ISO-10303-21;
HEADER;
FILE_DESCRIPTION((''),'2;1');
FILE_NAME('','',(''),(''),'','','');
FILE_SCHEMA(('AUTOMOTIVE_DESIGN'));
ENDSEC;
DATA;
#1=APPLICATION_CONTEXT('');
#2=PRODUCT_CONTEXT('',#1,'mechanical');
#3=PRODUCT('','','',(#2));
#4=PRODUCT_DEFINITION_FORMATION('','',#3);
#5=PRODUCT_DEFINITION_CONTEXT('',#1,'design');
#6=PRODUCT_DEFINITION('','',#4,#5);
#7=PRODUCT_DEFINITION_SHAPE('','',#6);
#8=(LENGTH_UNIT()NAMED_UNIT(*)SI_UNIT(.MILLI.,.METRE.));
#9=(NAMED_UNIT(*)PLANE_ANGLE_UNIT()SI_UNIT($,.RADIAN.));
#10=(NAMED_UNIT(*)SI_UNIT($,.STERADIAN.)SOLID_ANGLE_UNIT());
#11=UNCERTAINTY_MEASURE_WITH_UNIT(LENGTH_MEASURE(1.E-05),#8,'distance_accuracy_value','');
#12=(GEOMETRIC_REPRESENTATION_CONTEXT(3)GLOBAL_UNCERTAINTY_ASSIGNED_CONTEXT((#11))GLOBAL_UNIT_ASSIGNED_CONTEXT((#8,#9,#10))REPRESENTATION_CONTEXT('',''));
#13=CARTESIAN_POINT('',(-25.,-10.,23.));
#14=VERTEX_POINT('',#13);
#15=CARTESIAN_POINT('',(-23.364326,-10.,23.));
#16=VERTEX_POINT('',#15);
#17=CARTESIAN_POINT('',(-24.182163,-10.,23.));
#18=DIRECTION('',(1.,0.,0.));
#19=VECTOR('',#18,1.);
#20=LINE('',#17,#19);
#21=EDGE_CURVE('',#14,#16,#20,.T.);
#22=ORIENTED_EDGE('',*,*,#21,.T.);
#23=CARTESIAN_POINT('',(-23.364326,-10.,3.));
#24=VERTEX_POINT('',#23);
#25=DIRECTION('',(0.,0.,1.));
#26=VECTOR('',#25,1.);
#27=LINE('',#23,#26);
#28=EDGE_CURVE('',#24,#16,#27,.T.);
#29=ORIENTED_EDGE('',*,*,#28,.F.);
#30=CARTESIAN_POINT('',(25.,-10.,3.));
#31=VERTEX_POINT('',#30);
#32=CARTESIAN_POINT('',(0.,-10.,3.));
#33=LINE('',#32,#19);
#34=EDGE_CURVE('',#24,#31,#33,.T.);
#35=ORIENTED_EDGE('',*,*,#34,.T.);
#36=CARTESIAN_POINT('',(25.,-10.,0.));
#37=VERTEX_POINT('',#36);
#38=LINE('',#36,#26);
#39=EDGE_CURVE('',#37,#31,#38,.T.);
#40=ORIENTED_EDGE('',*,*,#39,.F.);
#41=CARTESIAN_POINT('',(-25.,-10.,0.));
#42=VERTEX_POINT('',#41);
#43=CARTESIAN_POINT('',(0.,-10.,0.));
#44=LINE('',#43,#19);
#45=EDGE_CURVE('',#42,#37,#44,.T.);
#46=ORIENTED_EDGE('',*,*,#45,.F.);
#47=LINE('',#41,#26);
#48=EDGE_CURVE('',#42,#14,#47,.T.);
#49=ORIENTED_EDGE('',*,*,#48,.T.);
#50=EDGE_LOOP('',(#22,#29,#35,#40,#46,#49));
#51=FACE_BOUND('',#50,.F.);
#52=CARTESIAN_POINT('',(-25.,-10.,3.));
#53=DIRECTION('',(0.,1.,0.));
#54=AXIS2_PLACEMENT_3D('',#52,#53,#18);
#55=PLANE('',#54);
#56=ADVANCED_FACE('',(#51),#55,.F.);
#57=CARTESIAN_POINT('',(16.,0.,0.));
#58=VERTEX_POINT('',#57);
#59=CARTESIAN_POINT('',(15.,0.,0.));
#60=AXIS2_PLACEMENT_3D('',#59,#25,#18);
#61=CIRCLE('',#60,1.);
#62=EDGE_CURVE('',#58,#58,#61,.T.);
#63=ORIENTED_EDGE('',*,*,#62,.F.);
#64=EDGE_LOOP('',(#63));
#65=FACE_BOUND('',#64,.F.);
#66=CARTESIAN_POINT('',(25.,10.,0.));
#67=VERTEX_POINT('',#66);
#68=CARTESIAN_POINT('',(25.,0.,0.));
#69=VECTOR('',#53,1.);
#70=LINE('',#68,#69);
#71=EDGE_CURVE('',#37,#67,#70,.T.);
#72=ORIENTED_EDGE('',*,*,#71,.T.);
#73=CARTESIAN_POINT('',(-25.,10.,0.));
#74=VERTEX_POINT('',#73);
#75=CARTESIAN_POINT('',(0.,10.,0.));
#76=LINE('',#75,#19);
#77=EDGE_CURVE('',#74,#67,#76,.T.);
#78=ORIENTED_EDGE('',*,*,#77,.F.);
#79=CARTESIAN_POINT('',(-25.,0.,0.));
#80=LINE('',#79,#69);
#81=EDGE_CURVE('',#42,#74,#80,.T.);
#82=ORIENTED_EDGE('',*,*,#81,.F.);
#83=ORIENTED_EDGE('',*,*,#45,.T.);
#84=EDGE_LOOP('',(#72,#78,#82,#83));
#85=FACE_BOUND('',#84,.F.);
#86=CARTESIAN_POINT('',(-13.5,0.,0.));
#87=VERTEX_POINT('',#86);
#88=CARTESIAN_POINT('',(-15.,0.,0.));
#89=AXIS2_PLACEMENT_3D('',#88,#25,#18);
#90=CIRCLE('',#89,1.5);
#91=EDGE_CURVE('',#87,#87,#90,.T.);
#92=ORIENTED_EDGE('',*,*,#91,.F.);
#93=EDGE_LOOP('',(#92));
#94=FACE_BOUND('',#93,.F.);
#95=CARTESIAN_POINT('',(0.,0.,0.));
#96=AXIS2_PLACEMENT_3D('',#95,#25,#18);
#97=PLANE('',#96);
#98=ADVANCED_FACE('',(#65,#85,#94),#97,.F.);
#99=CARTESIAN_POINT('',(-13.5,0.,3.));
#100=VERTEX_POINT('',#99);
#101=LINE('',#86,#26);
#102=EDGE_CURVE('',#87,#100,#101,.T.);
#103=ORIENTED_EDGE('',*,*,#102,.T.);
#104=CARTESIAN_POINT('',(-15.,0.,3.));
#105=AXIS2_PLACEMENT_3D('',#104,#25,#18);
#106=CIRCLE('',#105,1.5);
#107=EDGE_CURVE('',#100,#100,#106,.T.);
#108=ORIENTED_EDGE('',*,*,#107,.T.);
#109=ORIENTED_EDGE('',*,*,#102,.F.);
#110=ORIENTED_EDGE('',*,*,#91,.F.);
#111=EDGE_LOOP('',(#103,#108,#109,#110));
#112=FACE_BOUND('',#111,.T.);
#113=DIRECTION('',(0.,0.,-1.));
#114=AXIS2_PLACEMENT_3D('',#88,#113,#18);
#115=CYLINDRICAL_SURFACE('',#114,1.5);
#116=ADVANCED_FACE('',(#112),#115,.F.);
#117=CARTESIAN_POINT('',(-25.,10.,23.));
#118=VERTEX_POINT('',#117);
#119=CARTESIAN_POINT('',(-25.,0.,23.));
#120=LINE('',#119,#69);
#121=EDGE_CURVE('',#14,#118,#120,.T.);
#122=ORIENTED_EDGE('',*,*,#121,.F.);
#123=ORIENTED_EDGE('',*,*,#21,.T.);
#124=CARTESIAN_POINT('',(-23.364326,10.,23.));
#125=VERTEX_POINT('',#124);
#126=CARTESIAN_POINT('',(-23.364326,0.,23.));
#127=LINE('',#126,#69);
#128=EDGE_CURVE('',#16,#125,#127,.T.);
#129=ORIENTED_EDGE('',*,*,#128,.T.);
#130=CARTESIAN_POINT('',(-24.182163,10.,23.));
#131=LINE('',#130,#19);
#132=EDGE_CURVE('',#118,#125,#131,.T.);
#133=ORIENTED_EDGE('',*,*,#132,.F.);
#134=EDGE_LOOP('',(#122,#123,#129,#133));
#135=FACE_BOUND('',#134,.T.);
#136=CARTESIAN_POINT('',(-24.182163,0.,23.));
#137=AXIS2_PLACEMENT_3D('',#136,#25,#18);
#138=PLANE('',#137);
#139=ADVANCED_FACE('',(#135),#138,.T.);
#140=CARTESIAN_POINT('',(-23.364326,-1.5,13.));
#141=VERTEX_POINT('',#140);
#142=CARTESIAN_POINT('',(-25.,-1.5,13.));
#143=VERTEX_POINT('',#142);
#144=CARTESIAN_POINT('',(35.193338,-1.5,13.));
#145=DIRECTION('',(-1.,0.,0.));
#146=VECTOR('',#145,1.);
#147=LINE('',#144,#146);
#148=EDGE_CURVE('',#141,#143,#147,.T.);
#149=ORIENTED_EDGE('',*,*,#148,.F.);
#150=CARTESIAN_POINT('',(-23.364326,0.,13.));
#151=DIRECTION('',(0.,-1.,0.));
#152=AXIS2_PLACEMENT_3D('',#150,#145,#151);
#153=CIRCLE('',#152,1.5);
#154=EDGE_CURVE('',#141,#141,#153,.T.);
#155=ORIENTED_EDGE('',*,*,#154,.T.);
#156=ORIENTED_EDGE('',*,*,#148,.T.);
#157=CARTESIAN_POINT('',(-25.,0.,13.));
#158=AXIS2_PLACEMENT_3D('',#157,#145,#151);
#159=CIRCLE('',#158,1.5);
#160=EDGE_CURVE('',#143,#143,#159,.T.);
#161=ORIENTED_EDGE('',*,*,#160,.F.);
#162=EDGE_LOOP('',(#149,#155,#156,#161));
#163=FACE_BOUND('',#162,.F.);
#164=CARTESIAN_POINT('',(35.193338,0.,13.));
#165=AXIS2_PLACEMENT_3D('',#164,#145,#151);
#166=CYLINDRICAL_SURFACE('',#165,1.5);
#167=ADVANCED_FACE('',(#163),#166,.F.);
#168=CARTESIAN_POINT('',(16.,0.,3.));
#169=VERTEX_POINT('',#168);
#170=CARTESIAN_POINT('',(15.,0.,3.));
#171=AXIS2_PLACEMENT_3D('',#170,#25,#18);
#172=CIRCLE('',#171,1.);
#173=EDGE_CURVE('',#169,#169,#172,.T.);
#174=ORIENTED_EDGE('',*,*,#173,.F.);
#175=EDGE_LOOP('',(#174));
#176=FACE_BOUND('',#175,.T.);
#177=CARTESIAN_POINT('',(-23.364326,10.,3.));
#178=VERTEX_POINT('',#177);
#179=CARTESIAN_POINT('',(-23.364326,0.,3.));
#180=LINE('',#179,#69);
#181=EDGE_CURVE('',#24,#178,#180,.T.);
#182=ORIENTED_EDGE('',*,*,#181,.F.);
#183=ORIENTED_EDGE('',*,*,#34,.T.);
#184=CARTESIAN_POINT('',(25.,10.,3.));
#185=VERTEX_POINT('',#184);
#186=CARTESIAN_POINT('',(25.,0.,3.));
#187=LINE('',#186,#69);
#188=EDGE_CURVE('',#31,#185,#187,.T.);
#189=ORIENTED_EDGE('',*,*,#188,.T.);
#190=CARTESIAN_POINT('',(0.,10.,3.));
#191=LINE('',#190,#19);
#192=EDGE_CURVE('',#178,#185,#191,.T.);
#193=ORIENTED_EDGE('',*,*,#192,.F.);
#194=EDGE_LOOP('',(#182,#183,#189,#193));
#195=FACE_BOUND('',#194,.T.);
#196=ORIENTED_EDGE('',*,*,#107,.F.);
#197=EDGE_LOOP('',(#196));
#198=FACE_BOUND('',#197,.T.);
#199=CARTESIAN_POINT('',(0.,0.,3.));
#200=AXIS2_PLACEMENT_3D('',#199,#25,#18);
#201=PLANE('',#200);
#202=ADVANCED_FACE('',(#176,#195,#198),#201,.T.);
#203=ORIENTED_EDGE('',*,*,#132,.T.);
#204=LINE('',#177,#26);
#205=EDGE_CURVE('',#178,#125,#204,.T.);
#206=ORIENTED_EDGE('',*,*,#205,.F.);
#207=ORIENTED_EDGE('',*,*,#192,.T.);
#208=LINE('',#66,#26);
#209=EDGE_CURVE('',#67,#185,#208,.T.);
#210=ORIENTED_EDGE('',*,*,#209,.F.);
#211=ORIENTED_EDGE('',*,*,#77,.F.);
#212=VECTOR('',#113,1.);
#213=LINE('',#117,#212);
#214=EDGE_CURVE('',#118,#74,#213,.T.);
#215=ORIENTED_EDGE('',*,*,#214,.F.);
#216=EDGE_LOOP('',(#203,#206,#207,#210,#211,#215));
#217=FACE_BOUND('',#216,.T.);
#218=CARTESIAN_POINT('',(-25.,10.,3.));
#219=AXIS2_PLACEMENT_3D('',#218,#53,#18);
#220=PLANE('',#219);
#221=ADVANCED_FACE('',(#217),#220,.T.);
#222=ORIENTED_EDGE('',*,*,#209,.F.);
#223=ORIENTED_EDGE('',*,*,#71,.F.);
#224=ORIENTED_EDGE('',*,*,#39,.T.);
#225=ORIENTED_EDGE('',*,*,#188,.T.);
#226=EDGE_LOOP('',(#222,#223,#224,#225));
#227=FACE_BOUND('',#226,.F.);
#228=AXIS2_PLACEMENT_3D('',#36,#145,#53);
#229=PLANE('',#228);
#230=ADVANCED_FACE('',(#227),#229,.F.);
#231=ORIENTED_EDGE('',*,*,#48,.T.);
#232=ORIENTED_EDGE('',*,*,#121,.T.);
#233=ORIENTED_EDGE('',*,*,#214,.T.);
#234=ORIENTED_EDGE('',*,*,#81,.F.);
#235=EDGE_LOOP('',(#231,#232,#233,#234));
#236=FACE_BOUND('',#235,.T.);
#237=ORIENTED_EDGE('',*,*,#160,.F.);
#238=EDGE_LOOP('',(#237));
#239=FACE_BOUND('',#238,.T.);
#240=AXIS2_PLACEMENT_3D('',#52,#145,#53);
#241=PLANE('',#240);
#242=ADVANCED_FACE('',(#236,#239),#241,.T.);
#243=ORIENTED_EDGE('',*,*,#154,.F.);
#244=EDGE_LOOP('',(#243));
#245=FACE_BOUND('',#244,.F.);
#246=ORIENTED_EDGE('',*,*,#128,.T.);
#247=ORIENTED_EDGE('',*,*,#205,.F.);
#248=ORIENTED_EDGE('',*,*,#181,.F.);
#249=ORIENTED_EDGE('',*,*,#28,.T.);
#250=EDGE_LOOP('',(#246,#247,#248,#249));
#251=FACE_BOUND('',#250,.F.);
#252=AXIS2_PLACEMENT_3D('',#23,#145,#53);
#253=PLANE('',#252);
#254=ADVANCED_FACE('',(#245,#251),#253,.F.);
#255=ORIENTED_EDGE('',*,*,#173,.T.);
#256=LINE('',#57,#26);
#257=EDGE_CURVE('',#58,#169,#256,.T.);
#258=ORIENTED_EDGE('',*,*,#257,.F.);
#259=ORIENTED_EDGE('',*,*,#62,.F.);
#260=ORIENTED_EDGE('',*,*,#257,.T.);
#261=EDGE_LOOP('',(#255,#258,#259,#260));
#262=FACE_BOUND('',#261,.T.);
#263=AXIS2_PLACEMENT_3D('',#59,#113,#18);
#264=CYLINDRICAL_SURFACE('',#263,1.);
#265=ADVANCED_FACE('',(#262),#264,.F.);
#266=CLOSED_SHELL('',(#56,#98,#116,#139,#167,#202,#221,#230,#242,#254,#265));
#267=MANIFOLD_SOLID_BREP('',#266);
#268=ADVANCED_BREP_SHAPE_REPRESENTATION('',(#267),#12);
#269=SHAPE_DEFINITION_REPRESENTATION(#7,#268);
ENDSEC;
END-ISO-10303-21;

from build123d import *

# Parameters (mm, degrees)
F0_W     = 50
F0_H     = 20
F0_R     = 1.5
F0_R_2   = 1
F1_DEPTH = 3
F2_W     = 1.635674
F2_H     = 20
F3_DEPTH = 20
F5_D     = 3


with BuildPart() as f1:
    # F0 (on Top) → F1 (new body)
    with BuildSketch(Plane.XY):
        Rectangle(F0_W, F0_H)
        with Locations((-15, 0)):
            Circle(F0_R, mode=Mode.SUBTRACT)
        with Locations((15, 0)):
            Circle(F0_R_2, mode=Mode.SUBTRACT)
    extrude(amount=F1_DEPTH)

    # F2 (on face) → F3 (join)
    with BuildSketch(Plane.XY.offset(3)):
        with Locations((-24.182163, 0)):
            Rectangle(F2_W, F2_H)
    extrude(amount=F3_DEPTH)

    # F5 (through all)
    with Locations(Plane.YZ.offset(-23.364326)):
        with Locations((0, 13)):
            Hole(F5_D / 2)


solid = f1.part
